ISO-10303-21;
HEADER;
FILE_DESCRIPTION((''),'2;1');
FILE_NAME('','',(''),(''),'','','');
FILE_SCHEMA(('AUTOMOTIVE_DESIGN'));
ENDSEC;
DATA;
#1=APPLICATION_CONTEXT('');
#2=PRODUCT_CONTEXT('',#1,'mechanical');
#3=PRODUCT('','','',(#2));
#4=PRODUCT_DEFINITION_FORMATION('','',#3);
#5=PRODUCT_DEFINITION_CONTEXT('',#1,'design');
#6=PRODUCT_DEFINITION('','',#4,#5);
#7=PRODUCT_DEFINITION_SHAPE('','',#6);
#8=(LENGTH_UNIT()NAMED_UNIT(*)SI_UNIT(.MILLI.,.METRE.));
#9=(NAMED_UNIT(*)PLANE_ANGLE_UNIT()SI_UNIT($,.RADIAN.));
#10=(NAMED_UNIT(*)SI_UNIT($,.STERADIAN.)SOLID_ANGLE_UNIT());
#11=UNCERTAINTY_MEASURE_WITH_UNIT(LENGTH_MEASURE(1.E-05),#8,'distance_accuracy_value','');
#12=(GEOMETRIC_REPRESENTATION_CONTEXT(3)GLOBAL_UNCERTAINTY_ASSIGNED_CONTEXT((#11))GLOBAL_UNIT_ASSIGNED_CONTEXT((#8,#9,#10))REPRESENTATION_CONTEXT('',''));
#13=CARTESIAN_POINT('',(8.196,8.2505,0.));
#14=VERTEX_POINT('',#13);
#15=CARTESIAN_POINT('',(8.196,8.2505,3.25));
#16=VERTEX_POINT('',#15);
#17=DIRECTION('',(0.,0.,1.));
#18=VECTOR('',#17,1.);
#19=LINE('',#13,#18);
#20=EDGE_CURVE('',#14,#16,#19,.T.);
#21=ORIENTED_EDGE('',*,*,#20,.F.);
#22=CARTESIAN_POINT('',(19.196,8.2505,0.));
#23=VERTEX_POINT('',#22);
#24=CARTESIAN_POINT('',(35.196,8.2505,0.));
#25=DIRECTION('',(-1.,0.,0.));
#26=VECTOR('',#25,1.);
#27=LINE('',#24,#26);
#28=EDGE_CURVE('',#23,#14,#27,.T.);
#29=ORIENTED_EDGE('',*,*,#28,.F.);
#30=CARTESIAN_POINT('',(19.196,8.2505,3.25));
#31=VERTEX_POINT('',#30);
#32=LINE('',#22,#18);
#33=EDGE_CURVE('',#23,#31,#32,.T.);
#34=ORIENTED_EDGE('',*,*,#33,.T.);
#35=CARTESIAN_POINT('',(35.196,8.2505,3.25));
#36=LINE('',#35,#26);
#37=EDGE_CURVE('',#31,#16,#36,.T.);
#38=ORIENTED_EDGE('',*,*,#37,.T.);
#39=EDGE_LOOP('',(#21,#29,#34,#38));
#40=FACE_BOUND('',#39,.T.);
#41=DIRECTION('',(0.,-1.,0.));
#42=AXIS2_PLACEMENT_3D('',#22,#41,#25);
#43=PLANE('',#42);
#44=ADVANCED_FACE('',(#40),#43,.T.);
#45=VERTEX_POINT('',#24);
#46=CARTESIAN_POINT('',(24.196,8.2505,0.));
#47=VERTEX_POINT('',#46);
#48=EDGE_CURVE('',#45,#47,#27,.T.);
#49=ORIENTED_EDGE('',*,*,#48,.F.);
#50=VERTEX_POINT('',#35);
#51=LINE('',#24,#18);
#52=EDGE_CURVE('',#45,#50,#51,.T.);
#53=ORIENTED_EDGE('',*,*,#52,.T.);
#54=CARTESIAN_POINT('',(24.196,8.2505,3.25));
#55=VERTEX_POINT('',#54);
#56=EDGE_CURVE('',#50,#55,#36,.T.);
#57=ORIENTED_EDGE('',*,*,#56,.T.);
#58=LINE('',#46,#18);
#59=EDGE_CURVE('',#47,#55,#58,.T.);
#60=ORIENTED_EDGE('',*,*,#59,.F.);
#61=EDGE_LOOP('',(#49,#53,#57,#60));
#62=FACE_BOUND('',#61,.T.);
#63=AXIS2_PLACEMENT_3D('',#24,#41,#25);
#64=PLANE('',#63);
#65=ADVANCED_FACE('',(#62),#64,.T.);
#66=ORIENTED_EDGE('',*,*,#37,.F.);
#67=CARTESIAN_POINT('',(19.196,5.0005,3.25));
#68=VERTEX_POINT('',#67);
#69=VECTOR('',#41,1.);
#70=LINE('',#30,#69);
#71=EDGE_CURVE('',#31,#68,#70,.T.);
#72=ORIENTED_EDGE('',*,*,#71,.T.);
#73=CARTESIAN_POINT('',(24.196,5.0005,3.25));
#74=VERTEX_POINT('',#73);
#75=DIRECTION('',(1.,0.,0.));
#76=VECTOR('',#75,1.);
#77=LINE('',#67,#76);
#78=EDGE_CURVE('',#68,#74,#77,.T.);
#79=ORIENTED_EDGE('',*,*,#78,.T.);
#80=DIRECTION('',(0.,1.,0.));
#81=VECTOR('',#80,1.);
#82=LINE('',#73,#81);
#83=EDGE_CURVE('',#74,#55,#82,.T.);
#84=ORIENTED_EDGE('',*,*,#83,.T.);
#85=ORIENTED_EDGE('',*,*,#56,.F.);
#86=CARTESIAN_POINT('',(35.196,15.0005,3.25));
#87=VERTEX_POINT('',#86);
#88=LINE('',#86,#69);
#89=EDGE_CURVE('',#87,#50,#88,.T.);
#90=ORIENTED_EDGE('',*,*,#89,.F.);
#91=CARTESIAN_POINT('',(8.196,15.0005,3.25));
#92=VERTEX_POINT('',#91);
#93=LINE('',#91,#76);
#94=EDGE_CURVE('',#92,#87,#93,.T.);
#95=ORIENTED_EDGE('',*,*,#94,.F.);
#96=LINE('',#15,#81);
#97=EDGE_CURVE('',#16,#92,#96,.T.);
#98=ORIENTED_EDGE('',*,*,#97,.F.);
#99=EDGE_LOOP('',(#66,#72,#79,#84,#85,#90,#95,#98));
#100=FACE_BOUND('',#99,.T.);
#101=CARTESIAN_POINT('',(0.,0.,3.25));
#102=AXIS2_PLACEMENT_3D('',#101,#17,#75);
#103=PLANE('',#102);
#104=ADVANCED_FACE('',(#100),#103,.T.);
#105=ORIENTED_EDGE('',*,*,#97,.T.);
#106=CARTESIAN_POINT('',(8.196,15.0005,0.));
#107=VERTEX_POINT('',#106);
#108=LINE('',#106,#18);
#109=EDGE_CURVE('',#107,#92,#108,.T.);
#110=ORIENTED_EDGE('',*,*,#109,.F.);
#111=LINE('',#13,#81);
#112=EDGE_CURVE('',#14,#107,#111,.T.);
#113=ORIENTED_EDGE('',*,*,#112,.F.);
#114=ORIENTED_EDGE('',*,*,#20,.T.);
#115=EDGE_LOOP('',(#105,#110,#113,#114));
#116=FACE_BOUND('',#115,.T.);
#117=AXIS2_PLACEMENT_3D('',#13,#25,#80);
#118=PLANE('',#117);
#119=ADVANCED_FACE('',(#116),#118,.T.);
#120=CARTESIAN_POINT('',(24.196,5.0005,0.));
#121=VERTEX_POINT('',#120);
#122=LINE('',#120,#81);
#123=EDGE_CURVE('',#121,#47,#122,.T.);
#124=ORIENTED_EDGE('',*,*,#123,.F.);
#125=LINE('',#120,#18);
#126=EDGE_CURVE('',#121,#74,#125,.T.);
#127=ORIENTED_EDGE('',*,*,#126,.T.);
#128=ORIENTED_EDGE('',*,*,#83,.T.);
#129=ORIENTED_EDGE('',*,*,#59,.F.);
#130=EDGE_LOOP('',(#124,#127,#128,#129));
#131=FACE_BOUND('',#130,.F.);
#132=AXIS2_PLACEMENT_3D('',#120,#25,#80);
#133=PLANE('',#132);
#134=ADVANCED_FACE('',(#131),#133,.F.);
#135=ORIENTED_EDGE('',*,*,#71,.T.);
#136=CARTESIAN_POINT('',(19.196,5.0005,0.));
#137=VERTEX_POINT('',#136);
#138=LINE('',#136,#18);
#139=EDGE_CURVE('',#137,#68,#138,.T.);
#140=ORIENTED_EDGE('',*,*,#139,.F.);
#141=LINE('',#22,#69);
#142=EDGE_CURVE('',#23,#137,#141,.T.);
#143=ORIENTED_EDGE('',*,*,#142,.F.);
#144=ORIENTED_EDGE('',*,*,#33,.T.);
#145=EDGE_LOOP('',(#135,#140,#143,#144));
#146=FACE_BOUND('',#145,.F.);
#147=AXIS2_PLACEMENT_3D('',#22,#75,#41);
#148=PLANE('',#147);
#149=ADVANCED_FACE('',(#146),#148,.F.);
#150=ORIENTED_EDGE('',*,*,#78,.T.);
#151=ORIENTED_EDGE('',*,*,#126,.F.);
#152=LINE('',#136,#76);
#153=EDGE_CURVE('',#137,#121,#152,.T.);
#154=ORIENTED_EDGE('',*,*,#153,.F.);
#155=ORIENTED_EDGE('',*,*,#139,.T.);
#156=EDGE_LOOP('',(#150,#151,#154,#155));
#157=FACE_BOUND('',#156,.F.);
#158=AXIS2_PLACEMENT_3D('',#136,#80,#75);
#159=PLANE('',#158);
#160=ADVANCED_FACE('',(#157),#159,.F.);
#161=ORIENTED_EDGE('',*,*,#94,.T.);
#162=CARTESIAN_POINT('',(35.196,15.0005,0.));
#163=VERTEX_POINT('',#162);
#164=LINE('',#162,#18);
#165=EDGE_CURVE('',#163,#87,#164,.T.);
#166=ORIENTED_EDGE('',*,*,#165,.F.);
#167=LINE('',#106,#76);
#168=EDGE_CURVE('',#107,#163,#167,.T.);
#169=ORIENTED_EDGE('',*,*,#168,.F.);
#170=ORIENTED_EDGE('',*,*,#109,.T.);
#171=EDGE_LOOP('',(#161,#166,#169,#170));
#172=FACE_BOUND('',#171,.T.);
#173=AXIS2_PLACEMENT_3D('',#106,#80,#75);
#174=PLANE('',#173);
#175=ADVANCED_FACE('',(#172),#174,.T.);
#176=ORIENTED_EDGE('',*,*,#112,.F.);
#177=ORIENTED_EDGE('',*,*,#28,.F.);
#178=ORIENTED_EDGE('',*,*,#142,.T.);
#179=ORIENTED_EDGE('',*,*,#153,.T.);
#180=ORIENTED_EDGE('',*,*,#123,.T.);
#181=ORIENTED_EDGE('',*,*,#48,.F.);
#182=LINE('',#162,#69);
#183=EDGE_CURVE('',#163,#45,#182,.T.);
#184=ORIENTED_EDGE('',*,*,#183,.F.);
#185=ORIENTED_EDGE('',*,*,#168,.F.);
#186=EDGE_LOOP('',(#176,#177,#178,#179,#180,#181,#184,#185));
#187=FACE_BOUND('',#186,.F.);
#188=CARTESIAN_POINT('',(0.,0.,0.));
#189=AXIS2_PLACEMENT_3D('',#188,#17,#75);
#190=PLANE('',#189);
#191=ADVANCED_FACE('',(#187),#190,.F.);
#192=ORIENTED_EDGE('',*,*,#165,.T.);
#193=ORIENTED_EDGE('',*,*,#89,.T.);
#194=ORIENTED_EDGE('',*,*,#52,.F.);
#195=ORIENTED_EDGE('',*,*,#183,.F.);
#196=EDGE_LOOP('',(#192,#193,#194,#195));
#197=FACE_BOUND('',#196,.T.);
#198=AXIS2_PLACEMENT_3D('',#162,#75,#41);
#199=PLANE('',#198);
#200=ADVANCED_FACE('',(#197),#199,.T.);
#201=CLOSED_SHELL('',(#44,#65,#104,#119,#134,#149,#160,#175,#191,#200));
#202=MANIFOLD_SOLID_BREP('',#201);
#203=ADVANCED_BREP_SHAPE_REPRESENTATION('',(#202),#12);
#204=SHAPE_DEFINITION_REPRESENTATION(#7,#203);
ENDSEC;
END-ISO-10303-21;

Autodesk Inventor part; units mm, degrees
ref_plane "YZ Plane" through (0, 0, 0) normal (1, 0, 0) x (0, 1, 0)
ref_plane "XZ Plane" through (0, 0, 0) normal (0, 1, 0) x (-1, 0, 0)
ref_plane "XY Plane" through (0, 0, 0) normal (0, 0, 1) x (1, 0, 0)
sketch "Block1" plane through (0, 0, 0) normal (0, 0, 1) x (1, 0, 0)
  circle A0 centre (74.029, 24.2723) radius 1
  line L0 (49.279, 30.4723) -> (71.779, 30.4723)
  line L1 (71.779, 30.4723) -> (71.779, 18.0723)
  line L2 (71.779, 18.0723) -> (49.279, 18.0723)
  line L3 (49.279, 18.0723) -> (49.279, 30.4723)
  line L4 (49.279, 30.4723) -> (44.779, 30.4723)
  line L5 (44.779, 30.4723) -> (44.779, 18.0723)
  line L6 (44.779, 18.0723) -> (49.279, 18.0723)
  line L7 (49.279, 18.0723) -> (49.279, 30.4723)
  line L8 (71.779, 30.4723) -> (76.279, 30.4723)
  line L9 (76.279, 30.4723) -> (76.279, 18.0723)
  line L10 (76.279, 18.0723) -> (71.779, 18.0723)
  line L11 (71.779, 18.0723) -> (71.779, 30.4723)
  line L12 (44.779, 24.2723) -> (76.279, 24.2723) construction
  line L13 (47.029, 30.4723) -> (47.029, 18.0723) construction
  circle A1 centre (47.029, 24.2723) radius 1
  line L14 (74.029, 30.4723) -> (74.029, 18.0723) construction
  point P0 (60.979, 24.0984)
  dimension "d7" = 22.5
  dimension "d8" = 12.4
  dimension "d9" = 4.5
  dimension "d10" = 4.5
  dimension "d11" = 2
  dimension "d12" = 2
sketch "Sketch1" plane through (0, 0, 0) normal (0, 0, 1) x (1, 0, 0)
  line L0 (-92.7646, -8.503) -> (-89.7646, -8.503)
  line L1 (-89.7646, -8.503) -> (-89.7646, -11.753)
  line L2 (-89.7646, -11.753) -> (-92.7646, -11.753)
  line L3 (-92.7646, -11.753) -> (-92.7646, -8.503)
  line L4 (-92.7646, -21.6527) -> (-89.7646, -21.6527)
  line L5 (-89.7646, -21.6527) -> (-89.7646, -21.7527)
  line L6 (-89.7646, -21.7527) -> (-92.7646, -21.7527)
  line L7 (-92.7646, -21.7527) -> (-92.7646, -21.6527)
  line L8 (8.196, 15.0005) -> (35.196, 15.0005)
  line L9 (35.196, 15.0005) -> (35.196, 8.2505)
  line L10 (35.196, 8.2505) -> (8.196, 8.2505)
  line L11 (8.196, 8.2505) -> (8.196, 15.0005)
  line L12 (8.196, 11.6255) -> (35.196, 11.6255) construction
  line L13 (21.696, 15.0005) -> (21.696, 8.2505) construction
  line L14 (19.196, 5.0005) -> (24.196, 5.0005)
  line L15 (24.196, 5.0005) -> (24.196, 8.2505)
  line L16 (24.196, 8.2505) -> (19.196, 8.2505)
  line L17 (19.196, 8.2505) -> (19.196, 5.0005)
  line L18 (21.696, 8.2505) -> (21.696, 5.0005) construction
  point P0 (0, 0)
  dimension "d0" = 3
  dimension "mat" = 3.25
  dimension "d2" = 3
  dimension "d3" = 0.1
  dimension "d59" = 27
  dimension "d60" = 6.75
  dimension "d61" = 5
  dimension "d62" = 3.25
extrude "Extrusion6" add sketch "Sketch1" along normal blind 3.25 contours L8 L9 L10 L11 | L10 L15 L14 L17
equation "\"d62\" = mat"
equation "\"d65\" = mat"
properties part number "arm-servo"
